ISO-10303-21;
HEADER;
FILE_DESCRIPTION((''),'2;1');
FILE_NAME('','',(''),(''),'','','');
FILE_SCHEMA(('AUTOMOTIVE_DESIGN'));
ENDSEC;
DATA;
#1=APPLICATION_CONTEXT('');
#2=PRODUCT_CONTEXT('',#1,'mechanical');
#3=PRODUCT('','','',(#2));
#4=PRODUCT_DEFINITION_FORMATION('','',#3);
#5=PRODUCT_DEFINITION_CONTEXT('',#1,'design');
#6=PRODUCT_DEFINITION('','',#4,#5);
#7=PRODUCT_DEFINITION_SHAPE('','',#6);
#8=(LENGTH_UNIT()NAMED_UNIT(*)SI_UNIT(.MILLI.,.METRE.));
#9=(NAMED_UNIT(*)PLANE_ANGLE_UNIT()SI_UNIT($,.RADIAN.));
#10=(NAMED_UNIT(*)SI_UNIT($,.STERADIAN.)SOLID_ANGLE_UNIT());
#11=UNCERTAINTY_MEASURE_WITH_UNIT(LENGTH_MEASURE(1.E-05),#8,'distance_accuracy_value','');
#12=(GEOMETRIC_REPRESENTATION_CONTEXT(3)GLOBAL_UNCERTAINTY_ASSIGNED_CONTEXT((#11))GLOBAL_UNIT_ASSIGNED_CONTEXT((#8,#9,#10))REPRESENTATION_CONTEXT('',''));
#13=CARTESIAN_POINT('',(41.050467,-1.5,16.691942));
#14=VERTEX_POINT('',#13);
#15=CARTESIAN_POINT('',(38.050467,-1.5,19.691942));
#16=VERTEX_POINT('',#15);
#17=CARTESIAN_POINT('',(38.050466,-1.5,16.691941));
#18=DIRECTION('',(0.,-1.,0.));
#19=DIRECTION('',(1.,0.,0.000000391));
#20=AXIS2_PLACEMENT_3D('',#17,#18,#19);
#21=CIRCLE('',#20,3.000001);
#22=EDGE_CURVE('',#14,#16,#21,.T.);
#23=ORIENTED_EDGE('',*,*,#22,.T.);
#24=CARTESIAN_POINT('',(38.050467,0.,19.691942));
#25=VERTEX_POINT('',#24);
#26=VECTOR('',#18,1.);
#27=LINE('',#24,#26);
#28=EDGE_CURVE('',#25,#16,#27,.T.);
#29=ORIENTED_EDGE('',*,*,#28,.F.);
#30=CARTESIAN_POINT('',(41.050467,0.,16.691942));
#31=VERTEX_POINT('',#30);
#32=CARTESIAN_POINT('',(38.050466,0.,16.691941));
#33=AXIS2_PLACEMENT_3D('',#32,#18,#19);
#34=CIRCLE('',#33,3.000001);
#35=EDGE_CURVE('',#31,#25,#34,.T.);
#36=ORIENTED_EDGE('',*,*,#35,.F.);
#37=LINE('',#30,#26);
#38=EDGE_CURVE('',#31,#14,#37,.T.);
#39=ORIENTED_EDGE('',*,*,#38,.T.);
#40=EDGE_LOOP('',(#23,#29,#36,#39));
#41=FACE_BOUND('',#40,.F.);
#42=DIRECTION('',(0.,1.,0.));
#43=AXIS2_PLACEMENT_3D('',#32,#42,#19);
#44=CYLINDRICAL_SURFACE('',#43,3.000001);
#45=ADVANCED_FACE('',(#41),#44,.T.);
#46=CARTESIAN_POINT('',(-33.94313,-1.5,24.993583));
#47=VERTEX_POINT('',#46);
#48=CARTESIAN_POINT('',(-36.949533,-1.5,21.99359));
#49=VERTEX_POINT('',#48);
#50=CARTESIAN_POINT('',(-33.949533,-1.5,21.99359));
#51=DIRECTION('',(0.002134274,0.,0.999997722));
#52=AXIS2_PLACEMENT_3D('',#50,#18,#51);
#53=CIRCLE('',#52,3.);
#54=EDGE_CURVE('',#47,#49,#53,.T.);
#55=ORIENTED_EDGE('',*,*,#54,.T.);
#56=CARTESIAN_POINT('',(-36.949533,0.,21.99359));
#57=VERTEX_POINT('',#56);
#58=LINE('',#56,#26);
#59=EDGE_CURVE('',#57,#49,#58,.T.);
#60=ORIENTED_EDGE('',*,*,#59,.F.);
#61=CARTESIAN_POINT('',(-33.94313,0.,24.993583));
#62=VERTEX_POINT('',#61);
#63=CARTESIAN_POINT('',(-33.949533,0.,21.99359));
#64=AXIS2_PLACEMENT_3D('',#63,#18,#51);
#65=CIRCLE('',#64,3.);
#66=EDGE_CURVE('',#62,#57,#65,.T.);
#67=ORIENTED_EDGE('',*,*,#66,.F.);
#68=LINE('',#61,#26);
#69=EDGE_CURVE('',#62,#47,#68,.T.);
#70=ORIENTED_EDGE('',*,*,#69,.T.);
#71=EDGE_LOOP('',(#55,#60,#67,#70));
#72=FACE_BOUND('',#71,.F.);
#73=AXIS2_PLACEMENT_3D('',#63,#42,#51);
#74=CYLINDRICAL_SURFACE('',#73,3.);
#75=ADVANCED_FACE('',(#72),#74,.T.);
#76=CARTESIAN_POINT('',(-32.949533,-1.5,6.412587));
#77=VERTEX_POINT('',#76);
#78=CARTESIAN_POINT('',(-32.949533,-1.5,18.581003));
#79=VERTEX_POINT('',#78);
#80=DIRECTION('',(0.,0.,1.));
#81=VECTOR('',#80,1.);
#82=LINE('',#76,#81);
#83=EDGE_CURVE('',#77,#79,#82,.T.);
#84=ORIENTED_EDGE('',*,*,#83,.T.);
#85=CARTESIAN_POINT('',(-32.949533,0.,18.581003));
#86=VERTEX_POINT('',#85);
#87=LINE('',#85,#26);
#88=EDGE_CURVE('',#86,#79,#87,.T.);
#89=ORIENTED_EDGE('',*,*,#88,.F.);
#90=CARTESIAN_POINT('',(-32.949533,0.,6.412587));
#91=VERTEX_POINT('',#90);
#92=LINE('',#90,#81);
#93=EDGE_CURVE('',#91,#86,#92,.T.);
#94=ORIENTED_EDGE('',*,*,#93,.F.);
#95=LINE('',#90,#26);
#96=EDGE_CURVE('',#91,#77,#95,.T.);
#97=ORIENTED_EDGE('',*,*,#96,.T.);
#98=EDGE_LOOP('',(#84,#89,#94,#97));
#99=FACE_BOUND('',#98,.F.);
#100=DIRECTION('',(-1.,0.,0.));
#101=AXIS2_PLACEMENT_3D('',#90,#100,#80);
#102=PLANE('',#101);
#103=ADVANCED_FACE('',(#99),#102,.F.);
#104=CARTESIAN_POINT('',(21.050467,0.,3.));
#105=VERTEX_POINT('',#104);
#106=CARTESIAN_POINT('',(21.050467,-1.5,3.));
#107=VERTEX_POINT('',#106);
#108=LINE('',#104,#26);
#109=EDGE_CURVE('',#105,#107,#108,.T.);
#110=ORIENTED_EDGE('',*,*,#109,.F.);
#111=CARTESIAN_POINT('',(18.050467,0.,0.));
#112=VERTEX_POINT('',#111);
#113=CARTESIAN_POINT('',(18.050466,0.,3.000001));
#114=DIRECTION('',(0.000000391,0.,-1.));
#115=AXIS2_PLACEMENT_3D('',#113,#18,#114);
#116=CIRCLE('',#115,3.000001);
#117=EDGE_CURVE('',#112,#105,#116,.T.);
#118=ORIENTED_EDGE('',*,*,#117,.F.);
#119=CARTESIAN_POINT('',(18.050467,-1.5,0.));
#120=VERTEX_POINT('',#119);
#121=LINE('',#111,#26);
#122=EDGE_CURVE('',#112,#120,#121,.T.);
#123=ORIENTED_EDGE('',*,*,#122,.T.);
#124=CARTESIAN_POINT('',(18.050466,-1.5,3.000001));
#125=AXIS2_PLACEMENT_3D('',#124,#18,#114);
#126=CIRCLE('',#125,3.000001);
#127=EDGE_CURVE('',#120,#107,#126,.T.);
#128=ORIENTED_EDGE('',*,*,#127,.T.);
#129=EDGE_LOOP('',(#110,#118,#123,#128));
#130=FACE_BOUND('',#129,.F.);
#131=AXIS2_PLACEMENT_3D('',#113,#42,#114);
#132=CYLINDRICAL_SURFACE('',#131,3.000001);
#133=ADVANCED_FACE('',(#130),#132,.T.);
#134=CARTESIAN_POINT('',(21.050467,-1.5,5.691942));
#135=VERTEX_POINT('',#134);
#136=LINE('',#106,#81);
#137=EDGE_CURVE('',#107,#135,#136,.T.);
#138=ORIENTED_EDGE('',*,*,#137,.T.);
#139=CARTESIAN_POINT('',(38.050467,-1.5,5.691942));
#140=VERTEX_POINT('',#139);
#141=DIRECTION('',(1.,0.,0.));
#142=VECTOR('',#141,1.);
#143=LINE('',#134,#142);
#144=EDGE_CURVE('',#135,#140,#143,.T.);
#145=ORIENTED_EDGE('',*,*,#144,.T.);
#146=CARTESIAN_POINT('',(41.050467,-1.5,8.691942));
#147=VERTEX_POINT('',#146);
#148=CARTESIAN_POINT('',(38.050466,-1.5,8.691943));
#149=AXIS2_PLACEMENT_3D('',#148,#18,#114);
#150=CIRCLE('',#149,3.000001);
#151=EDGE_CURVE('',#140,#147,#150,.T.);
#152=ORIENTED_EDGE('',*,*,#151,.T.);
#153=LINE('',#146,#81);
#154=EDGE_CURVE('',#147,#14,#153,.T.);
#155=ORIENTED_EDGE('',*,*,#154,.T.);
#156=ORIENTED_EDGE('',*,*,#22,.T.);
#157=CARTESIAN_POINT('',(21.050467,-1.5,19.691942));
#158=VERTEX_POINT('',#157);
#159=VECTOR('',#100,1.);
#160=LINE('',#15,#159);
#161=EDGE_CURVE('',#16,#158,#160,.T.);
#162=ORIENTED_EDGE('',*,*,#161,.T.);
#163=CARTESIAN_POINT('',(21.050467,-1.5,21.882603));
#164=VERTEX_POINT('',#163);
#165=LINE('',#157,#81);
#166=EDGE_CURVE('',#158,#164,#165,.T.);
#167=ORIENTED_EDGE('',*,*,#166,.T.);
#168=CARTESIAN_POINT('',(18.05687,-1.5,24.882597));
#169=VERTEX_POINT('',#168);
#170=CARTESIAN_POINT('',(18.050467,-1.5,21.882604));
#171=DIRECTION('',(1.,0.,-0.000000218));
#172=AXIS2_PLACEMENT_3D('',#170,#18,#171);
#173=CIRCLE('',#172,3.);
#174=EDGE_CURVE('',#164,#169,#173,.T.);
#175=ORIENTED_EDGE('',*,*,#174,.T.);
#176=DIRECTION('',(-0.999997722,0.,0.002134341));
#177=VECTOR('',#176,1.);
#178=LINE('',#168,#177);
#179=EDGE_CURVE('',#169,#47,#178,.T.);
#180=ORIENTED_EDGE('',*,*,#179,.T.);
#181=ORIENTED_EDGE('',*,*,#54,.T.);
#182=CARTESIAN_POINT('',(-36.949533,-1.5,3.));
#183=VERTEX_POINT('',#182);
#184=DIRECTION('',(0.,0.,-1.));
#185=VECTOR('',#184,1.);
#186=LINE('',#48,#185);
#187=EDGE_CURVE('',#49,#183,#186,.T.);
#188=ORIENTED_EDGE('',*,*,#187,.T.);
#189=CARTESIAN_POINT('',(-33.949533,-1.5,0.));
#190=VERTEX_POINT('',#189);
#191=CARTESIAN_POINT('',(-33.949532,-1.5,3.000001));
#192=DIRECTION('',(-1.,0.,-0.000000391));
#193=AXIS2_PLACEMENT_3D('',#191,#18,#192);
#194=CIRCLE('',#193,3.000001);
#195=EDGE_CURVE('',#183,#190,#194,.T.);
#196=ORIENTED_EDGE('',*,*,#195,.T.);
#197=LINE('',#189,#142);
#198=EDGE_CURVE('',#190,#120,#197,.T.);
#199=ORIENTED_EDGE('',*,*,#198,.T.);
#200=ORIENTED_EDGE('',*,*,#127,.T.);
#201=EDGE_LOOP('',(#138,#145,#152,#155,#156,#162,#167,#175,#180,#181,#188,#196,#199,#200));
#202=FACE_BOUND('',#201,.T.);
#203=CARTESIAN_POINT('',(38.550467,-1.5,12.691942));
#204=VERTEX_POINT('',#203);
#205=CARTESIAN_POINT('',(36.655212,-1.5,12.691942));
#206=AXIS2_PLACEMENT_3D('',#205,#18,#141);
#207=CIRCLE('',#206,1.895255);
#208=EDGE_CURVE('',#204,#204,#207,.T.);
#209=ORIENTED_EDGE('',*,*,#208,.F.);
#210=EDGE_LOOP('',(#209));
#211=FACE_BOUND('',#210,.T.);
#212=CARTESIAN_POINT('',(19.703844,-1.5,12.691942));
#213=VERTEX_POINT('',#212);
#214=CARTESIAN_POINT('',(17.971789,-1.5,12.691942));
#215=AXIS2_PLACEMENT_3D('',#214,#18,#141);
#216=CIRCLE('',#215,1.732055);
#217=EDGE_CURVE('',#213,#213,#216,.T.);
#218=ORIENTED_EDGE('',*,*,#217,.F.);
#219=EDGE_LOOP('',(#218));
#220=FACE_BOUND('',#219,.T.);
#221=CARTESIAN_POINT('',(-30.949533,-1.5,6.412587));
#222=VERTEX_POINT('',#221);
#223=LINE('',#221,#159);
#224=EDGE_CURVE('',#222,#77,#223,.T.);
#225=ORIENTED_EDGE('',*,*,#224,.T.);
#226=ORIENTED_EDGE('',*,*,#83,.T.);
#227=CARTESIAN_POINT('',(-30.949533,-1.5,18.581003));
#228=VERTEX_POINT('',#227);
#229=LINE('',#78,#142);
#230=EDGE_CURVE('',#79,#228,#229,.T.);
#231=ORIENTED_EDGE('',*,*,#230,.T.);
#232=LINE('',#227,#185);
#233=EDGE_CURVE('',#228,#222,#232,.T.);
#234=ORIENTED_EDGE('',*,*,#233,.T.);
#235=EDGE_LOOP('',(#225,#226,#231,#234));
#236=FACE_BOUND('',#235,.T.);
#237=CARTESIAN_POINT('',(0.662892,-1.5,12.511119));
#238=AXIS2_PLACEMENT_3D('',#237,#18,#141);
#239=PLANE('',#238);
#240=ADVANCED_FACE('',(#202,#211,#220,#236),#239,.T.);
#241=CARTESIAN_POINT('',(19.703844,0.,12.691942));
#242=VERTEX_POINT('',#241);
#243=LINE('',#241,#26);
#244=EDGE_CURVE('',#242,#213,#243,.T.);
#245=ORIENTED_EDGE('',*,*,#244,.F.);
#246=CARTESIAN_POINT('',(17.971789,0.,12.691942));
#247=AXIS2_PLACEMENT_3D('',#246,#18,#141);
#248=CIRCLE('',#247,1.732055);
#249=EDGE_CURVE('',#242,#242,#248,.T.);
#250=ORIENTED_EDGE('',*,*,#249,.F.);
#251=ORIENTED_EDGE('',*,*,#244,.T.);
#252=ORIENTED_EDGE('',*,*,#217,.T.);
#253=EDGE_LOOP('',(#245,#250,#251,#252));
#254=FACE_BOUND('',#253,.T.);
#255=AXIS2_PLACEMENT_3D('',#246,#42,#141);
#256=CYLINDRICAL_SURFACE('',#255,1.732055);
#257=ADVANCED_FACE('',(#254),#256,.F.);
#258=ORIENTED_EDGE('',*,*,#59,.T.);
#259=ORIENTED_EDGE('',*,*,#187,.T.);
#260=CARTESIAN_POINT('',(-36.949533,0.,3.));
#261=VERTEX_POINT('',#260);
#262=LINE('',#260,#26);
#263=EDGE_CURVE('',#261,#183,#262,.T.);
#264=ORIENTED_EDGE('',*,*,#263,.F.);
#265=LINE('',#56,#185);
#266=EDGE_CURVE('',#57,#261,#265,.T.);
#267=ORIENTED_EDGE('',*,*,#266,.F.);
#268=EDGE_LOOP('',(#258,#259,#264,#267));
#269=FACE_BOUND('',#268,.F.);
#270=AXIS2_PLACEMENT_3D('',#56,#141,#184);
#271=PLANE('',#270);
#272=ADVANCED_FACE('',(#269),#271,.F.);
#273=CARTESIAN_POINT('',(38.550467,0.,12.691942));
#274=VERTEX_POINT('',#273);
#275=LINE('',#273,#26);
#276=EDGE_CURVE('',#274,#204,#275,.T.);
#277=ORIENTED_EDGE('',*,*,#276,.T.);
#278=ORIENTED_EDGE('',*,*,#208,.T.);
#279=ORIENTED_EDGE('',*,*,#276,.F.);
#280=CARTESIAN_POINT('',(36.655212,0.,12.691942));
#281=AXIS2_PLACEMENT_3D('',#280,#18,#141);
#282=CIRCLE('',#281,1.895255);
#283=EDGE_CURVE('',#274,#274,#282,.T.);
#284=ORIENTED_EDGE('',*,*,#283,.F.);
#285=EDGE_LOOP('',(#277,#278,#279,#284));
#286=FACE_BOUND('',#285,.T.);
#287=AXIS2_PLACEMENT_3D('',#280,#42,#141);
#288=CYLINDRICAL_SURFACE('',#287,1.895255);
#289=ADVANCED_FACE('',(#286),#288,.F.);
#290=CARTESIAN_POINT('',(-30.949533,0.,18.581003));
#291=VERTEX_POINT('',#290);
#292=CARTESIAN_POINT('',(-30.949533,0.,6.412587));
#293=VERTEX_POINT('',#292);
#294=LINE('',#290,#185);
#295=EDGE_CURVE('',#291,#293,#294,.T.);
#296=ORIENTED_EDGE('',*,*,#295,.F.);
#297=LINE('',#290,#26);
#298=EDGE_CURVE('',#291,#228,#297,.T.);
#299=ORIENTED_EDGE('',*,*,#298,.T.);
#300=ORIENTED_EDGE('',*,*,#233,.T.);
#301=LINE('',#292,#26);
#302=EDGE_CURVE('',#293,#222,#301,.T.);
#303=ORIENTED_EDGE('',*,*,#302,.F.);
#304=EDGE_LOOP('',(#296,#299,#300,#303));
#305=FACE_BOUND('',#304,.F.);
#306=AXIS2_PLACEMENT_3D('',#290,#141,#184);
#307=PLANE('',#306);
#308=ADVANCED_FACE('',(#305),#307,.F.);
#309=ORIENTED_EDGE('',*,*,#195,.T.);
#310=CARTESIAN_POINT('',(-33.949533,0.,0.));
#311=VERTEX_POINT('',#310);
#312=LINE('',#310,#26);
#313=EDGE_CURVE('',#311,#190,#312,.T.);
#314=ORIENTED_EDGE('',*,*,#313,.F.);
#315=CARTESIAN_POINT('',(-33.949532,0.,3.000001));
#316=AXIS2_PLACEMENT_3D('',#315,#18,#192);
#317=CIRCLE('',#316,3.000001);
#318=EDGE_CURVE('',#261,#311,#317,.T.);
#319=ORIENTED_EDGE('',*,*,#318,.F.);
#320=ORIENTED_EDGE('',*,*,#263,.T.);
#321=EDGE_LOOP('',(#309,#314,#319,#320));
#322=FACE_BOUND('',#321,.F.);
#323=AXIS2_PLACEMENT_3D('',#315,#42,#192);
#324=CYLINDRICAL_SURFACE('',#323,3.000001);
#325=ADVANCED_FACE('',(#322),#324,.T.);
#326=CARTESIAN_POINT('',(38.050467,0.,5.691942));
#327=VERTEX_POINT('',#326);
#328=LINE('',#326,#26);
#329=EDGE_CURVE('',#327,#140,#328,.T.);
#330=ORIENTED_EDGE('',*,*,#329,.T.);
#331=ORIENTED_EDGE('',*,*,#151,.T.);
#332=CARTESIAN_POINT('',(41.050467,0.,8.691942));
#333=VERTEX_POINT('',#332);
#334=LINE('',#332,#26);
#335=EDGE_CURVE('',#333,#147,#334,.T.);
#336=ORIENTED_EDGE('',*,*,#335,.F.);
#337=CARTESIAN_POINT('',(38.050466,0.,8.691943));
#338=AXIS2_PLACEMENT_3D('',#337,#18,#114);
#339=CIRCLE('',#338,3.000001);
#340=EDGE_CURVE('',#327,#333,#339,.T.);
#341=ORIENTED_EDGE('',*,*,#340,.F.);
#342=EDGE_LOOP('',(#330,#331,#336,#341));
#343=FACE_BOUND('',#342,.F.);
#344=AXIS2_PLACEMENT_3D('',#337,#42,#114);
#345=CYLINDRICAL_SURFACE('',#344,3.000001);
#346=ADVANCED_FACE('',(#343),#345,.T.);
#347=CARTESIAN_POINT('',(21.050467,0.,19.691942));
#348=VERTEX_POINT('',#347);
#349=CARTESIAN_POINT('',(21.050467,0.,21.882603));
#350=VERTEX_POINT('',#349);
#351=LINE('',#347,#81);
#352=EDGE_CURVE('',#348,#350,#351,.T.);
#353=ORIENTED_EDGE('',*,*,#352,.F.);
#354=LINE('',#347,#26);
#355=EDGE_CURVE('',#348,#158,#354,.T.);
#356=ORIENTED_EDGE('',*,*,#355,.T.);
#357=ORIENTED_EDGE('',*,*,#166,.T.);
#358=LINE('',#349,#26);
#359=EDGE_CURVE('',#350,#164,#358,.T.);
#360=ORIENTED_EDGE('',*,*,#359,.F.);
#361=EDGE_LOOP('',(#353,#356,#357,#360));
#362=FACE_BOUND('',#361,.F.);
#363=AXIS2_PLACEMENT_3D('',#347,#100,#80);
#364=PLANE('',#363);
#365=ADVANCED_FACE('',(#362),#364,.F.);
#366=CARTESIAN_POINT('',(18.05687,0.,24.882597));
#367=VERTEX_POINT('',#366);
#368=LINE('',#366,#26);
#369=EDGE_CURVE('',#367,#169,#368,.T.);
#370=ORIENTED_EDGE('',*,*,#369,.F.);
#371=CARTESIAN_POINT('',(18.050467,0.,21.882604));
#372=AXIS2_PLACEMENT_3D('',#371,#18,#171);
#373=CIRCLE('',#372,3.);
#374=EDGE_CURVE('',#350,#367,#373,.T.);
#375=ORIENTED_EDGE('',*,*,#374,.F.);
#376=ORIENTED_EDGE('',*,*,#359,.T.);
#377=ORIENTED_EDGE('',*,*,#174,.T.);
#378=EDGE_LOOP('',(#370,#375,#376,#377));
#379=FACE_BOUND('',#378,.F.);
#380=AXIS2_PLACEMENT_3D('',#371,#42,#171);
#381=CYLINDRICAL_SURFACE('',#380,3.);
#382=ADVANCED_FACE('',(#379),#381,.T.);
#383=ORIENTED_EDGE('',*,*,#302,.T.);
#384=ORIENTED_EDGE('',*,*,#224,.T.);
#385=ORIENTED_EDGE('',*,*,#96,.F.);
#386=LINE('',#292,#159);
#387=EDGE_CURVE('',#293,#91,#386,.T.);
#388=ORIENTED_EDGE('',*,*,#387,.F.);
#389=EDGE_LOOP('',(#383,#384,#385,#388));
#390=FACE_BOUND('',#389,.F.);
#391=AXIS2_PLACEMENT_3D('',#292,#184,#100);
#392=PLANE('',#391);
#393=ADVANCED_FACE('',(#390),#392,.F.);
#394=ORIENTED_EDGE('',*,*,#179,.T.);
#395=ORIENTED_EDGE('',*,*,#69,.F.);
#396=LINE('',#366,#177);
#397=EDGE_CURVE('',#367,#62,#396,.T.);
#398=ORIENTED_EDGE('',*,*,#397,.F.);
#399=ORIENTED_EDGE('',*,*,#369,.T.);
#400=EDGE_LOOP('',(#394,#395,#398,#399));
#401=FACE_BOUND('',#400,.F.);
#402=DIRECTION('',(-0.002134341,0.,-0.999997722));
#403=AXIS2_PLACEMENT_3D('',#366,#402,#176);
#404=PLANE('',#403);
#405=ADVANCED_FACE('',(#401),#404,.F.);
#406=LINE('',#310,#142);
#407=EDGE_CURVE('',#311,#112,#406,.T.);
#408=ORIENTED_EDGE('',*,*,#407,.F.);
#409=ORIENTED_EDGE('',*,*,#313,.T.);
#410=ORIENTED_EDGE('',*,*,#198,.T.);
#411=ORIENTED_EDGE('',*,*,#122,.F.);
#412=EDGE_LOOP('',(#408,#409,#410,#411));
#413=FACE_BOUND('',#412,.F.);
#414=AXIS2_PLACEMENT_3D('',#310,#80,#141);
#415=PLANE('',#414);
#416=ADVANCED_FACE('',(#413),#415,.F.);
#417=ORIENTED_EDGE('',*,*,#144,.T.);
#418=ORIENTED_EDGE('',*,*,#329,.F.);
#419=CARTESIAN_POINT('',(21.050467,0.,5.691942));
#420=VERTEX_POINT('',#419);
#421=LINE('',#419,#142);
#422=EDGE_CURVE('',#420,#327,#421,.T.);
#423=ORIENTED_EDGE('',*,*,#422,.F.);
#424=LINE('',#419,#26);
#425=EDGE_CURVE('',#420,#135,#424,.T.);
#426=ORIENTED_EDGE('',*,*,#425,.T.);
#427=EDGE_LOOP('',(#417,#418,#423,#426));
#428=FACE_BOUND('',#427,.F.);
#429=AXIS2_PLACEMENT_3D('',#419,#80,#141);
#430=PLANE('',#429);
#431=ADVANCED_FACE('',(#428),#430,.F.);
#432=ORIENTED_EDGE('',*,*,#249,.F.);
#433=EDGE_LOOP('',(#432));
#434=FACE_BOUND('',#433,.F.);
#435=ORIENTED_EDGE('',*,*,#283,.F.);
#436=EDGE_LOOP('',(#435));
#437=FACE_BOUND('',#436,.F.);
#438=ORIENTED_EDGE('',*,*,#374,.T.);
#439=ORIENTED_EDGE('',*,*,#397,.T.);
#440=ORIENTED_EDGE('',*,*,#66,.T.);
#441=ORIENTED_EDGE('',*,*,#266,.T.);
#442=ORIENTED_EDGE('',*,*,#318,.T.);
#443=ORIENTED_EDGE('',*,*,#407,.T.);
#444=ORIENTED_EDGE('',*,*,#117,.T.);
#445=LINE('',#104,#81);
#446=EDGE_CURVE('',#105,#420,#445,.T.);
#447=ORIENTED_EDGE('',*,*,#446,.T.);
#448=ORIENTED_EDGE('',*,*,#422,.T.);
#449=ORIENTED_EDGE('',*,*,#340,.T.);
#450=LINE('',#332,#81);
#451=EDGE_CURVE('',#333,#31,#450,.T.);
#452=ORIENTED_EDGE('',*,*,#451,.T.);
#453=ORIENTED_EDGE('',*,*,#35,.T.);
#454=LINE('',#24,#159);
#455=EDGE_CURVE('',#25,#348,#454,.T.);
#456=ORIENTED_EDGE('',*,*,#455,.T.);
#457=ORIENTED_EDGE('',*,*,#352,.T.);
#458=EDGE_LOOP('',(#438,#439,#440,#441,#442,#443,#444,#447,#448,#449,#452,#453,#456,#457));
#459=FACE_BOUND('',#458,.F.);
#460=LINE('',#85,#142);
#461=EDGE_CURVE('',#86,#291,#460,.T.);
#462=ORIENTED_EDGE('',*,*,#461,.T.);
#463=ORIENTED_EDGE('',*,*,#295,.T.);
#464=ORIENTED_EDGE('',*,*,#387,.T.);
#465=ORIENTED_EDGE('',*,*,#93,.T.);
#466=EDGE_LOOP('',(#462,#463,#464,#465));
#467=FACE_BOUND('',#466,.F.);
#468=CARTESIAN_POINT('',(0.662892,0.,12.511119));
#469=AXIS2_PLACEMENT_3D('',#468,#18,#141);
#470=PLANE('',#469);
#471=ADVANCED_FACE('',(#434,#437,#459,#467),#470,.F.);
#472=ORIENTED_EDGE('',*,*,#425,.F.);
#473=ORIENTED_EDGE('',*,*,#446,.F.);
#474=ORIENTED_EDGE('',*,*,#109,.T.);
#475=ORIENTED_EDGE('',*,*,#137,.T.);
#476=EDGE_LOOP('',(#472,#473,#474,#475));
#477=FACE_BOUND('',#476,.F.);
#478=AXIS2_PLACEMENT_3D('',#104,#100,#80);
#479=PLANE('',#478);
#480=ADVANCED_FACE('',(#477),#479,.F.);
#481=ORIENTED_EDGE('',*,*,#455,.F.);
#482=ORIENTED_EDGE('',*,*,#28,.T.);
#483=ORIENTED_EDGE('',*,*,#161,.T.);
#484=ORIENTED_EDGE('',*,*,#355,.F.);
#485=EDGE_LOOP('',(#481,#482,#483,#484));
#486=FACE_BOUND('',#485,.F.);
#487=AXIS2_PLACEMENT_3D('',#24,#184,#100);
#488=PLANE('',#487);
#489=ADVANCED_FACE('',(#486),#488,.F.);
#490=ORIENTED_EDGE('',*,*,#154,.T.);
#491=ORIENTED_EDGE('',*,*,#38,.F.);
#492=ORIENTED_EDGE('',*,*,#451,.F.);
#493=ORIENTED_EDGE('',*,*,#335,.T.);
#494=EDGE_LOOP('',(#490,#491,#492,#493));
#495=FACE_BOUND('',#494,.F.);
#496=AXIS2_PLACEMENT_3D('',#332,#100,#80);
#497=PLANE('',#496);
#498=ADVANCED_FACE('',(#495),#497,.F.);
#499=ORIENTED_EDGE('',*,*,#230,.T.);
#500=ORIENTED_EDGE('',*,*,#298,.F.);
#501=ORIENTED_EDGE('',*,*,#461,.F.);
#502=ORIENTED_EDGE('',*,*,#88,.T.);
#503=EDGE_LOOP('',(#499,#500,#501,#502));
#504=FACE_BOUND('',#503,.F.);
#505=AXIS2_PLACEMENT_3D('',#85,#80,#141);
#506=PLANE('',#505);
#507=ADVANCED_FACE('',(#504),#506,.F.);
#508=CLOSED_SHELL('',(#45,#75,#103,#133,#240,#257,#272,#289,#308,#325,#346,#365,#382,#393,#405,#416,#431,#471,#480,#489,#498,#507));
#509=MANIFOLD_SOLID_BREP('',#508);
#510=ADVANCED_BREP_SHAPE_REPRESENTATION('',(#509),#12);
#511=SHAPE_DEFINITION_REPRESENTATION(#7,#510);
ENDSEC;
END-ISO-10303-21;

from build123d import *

# Parameters (mm, degrees)
F0_R     = 1.732055
F0_R_2   = 1.895255
F1_DEPTH = 1.5


with BuildPart() as f1:
    # F0 (on Front) → F1 (new body)
    with BuildSketch(Plane.XZ):
        with BuildLine():
            ThreePointArc((-33.94313, 24.993583), (-36.068588, 24.117173), (-36.949533, 21.99359))
            Line((-36.949533, 21.99359), (-36.949533, 12.496795))
            Line((-36.949533, 12.496795), (-36.949533, 3))
            ThreePointArc((-36.949533, 3), (-36.070853, 0.87868), (-33.949533, 0))
            Line((-33.949533, 0), (18.050467, 0))
            ThreePointArc((18.050467, 0), (20.171787, 0.87868), (21.050467, 3))
            Line((21.050467, 3), (21.050467, 5.691942))
            Line((21.050467, 5.691942), (38.050467, 5.691942))
            ThreePointArc((38.050467, 5.691942), (40.171787, 6.570622), (41.050467, 8.691942))
            Line((41.050467, 8.691942), (41.050467, 16.691942))
            ThreePointArc((41.050467, 16.691942), (40.171787, 18.813262), (38.050467, 19.691942))
            Line((38.050467, 19.691942), (21.050467, 19.691942))
            Line((21.050467, 19.691942), (21.050467, 21.882603))
            ThreePointArc((21.050467, 21.882603), (20.17405, 24.001659), (18.05687, 24.882597))
            Line((18.05687, 24.882597), (-33.94313, 24.993583))
        make_face()
        Polygon((-32.949533, 6.412587), (-32.949533, 12.496795), (-32.949533, 18.581003), (-30.949533, 18.581003), (-30.949533, 6.412587), align=None, mode=Mode.SUBTRACT)
        with Locations((17.971789, 12.691942)):
            Circle(F0_R, mode=Mode.SUBTRACT)
        with Locations((36.655212, 12.691942)):
            Circle(F0_R_2, mode=Mode.SUBTRACT)
    extrude(amount=F1_DEPTH)


solid = f1.part
